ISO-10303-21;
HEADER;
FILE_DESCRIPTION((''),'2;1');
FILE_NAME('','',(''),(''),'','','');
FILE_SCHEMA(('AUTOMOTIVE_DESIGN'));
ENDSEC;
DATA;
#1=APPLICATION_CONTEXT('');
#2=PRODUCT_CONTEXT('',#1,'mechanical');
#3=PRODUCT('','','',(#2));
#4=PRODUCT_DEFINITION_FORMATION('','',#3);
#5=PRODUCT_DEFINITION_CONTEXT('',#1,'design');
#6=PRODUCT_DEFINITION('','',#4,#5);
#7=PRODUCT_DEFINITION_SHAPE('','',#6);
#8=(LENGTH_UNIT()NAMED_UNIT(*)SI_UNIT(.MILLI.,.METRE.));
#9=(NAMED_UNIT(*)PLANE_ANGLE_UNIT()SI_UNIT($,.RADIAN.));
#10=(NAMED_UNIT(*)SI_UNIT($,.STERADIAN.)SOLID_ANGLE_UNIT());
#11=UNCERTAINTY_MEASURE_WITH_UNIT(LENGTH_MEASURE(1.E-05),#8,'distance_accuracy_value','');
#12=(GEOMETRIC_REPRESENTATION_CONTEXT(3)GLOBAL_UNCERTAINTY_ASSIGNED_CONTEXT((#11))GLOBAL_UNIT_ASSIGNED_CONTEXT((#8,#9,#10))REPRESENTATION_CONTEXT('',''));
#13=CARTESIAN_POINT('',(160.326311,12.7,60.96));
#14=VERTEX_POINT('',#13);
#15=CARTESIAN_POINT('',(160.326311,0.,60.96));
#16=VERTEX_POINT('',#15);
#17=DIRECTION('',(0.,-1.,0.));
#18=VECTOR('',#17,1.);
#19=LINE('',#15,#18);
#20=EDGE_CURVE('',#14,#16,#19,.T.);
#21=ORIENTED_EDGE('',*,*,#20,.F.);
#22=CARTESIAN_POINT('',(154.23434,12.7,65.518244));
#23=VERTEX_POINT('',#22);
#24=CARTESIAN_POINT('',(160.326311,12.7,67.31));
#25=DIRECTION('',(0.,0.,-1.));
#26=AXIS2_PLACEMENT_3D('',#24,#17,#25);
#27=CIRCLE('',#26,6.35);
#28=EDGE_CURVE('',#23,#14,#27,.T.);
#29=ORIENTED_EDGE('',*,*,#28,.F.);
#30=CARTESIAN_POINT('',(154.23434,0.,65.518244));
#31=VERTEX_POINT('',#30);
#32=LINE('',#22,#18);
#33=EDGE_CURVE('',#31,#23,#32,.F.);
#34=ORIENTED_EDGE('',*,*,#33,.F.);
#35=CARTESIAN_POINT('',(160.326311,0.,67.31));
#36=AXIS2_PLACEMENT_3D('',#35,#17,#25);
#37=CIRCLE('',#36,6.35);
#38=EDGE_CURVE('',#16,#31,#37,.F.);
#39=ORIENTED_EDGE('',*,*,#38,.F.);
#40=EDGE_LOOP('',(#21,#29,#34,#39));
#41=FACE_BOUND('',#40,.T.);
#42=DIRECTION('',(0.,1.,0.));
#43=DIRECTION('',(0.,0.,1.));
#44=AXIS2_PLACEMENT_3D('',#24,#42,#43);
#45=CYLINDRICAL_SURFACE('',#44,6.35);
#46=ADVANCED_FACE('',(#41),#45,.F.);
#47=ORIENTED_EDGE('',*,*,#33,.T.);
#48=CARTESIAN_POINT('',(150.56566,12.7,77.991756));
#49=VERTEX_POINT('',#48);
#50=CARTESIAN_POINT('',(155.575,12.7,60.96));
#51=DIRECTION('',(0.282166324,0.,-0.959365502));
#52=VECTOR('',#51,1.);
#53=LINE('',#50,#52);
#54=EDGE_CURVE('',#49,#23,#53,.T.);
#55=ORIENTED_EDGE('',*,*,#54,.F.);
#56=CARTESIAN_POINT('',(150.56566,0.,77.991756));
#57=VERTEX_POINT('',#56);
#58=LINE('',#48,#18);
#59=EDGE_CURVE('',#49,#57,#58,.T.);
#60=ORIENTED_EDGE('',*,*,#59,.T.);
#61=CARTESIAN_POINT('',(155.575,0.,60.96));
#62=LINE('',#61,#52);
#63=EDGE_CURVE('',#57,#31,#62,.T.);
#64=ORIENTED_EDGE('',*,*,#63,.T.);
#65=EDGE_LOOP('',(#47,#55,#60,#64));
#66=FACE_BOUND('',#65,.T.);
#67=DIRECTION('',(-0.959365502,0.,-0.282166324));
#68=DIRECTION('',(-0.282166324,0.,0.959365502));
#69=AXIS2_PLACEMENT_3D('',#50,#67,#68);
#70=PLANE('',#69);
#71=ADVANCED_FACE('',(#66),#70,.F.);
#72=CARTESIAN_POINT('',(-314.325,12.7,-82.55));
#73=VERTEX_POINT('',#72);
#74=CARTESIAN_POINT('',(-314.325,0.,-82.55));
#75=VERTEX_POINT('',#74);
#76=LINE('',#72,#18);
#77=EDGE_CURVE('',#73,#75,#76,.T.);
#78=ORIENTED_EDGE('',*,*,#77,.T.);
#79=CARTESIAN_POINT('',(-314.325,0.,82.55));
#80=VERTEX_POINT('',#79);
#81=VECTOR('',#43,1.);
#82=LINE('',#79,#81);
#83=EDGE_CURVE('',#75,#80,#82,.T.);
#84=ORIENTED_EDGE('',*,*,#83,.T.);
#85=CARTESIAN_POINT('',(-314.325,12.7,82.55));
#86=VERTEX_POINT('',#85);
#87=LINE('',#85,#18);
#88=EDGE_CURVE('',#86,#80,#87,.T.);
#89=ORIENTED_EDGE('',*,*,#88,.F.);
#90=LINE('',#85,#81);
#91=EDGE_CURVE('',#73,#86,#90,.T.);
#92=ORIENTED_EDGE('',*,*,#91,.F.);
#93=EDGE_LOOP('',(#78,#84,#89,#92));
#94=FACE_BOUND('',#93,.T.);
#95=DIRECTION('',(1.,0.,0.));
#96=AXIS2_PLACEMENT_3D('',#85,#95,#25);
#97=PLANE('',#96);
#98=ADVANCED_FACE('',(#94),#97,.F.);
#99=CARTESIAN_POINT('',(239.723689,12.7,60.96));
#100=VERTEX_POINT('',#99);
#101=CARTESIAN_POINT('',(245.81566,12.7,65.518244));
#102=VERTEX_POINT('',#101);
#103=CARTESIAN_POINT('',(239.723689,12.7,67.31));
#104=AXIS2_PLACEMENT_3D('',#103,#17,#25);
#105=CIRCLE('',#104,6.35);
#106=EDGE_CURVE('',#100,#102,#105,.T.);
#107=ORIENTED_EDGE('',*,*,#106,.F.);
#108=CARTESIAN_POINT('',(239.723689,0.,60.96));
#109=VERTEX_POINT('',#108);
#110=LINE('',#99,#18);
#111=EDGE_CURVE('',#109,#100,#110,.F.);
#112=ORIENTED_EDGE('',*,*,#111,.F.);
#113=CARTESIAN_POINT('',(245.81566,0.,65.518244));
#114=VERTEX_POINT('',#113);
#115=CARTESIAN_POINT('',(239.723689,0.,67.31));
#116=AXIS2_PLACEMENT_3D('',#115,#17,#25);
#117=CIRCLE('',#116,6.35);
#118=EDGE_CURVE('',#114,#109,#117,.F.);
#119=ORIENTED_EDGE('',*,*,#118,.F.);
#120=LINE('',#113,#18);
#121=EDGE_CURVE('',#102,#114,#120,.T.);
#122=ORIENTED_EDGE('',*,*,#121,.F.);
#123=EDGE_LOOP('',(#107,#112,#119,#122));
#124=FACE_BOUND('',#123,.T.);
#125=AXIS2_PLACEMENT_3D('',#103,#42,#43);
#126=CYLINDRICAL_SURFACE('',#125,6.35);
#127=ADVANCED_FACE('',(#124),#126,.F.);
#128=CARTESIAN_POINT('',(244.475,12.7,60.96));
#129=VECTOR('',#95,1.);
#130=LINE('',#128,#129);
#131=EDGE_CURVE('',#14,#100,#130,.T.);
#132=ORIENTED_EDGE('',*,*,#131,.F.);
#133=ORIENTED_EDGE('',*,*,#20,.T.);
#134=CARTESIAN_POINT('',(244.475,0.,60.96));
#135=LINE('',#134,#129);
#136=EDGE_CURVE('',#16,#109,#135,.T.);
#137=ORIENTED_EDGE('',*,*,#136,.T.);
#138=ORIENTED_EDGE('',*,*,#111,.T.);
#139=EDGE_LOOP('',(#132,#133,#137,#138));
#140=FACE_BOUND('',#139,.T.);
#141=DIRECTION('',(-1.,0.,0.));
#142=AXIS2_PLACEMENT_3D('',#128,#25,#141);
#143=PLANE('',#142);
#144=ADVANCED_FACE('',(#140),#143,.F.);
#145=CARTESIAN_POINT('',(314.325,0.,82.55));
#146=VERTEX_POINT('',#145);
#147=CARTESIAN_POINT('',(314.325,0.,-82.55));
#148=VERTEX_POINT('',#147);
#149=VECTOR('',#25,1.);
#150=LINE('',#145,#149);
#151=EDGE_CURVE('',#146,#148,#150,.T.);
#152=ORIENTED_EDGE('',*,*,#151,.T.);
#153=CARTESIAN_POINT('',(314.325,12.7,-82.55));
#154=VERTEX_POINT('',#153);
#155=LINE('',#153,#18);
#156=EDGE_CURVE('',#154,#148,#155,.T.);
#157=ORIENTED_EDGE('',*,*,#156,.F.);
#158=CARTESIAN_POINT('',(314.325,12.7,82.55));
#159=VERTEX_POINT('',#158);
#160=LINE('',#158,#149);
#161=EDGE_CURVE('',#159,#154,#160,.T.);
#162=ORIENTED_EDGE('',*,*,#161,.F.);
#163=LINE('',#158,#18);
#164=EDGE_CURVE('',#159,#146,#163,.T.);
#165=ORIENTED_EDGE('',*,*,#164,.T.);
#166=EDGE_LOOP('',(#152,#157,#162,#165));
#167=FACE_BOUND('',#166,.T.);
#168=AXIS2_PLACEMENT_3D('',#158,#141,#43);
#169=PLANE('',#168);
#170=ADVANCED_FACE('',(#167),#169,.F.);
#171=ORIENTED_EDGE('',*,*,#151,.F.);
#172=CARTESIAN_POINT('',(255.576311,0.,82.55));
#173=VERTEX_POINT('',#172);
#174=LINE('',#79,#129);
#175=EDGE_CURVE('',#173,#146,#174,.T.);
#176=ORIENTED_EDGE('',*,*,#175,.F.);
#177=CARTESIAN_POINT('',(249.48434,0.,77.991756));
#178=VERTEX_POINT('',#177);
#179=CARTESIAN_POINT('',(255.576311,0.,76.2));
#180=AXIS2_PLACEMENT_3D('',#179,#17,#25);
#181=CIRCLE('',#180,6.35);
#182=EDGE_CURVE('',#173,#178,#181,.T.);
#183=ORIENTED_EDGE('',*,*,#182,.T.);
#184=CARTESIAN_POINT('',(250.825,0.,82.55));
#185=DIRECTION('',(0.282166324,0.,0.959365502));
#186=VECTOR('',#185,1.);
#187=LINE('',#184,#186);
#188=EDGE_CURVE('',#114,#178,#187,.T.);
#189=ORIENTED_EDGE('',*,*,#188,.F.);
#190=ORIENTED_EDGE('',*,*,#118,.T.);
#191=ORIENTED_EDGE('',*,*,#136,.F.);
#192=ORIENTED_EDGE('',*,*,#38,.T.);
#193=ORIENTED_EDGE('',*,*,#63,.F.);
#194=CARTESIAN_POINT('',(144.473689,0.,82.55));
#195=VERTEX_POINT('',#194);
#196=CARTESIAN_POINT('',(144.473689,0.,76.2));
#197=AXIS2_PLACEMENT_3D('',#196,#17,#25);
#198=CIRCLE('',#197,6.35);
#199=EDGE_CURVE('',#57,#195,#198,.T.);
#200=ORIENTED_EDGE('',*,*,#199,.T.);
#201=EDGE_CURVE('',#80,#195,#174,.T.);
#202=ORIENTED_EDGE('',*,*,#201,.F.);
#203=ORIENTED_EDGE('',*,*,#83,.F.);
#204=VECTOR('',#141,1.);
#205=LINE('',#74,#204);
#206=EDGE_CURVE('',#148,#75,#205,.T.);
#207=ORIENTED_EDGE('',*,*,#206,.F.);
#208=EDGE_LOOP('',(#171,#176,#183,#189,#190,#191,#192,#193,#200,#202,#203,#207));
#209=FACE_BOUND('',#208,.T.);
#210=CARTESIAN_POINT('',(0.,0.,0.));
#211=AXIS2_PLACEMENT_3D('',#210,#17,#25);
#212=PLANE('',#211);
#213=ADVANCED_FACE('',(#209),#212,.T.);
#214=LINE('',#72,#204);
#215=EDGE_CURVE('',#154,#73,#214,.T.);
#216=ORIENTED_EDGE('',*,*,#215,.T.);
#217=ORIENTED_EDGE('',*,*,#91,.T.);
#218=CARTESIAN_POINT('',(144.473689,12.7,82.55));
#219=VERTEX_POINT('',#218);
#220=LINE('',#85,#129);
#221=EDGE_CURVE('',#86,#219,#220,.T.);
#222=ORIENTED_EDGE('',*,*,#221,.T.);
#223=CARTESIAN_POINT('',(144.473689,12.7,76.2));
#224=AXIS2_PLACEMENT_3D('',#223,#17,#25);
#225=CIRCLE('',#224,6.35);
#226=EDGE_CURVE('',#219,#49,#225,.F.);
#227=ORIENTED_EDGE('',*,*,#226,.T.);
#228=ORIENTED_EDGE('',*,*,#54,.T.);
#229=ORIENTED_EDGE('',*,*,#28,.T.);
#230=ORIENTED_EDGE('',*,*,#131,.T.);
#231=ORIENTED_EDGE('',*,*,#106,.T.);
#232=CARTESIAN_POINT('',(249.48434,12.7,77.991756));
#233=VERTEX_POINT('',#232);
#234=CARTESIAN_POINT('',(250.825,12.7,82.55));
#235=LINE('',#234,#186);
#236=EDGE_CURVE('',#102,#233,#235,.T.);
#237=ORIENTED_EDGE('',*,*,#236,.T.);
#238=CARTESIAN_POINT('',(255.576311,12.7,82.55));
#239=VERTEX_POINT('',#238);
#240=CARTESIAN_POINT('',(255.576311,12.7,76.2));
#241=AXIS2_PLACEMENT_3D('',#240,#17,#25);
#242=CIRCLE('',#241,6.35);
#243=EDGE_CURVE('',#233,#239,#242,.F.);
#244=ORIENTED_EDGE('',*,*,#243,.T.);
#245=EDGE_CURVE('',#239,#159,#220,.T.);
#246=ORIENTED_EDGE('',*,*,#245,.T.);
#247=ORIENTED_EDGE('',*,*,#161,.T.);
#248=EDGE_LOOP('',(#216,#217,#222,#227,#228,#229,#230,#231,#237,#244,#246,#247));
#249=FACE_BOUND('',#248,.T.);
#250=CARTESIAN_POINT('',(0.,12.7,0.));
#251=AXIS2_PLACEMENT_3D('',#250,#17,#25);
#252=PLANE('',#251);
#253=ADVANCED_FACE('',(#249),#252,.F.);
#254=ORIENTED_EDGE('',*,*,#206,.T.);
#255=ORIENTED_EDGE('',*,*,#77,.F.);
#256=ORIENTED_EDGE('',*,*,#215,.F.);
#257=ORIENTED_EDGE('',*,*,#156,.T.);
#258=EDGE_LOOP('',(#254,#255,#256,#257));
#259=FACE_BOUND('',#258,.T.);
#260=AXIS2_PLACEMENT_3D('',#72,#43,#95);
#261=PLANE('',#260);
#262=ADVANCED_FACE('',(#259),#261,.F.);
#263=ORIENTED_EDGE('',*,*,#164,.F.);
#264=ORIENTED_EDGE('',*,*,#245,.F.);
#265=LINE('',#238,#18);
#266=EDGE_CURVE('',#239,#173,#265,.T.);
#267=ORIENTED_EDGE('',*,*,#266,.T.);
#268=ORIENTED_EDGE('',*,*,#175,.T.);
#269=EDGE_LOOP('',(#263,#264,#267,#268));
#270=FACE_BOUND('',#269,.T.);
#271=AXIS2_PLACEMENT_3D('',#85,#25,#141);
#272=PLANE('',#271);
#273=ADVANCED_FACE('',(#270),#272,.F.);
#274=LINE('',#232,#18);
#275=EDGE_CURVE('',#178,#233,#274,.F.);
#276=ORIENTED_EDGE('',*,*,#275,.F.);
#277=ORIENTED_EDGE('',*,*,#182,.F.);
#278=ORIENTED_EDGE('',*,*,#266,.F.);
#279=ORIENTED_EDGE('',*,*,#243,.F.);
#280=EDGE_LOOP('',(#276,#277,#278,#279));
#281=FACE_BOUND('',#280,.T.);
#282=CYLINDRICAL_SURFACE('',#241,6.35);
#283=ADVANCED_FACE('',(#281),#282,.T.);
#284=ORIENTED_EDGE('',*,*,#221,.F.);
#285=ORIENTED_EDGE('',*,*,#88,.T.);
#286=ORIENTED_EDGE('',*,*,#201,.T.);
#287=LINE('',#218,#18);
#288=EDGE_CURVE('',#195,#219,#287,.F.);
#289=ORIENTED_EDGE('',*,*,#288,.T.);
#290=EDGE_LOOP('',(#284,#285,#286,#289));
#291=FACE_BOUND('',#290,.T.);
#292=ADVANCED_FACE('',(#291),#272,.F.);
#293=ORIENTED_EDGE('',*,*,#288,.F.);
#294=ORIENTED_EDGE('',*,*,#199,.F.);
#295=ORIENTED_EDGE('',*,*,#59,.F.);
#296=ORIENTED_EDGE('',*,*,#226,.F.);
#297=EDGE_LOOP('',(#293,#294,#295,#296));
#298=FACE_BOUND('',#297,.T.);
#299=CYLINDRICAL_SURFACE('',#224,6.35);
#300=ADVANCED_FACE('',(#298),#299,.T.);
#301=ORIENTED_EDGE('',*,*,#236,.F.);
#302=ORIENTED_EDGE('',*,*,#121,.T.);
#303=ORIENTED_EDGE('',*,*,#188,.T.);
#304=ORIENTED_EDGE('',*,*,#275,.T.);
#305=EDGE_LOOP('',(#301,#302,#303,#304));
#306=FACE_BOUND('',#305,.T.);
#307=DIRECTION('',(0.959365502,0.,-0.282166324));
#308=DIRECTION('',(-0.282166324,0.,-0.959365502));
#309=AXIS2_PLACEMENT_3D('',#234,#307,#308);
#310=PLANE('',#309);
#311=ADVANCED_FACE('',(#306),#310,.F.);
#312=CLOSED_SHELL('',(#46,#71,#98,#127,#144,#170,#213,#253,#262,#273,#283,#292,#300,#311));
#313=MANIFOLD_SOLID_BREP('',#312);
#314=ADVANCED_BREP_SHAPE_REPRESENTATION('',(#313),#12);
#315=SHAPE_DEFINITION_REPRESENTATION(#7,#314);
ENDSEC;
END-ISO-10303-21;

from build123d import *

# Parameters (mm, degrees)
SKETCH1_W           = 628.65
SKETCH1_H           = 165.1
BOSS_EXTRUDE1_DEPTH = 12.7
CUT_EXTRUDE1_DEPTH  = 12.7
FILLET1_R           = 6.35


with BuildPart() as part:
    # Sketch1 → Boss-Extrude1 (new body)
    with BuildSketch(Plane(origin=(0, 0, 0), x_dir=(1, 0, 0), z_dir=(0, 1, 0))):
        Rectangle(SKETCH1_W, SKETCH1_H)
    extrude(amount=BOSS_EXTRUDE1_DEPTH)

    # Sketch2 → Cut-Extrude1 (cut)
    with BuildSketch(Plane.XZ):
        Polygon((149.225, 82.55), (250.825, 82.55), (244.475, 60.96), (155.575, 60.96), align=None)
    extrude(amount=-CUT_EXTRUDE1_DEPTH, mode=Mode.SUBTRACT)

    # Fillet1
    fillet1_edges = [part.edges().sort_by_distance(p)[0] for p in [
        (155.575, 6.35, 60.96),
        (149.225, 6.35, 82.55),
        (250.825, 6.35, 82.55),
        (244.475, 6.35, 60.96),
    ]]
    fillet(fillet1_edges, radius=FILLET1_R)


solid = part.part
